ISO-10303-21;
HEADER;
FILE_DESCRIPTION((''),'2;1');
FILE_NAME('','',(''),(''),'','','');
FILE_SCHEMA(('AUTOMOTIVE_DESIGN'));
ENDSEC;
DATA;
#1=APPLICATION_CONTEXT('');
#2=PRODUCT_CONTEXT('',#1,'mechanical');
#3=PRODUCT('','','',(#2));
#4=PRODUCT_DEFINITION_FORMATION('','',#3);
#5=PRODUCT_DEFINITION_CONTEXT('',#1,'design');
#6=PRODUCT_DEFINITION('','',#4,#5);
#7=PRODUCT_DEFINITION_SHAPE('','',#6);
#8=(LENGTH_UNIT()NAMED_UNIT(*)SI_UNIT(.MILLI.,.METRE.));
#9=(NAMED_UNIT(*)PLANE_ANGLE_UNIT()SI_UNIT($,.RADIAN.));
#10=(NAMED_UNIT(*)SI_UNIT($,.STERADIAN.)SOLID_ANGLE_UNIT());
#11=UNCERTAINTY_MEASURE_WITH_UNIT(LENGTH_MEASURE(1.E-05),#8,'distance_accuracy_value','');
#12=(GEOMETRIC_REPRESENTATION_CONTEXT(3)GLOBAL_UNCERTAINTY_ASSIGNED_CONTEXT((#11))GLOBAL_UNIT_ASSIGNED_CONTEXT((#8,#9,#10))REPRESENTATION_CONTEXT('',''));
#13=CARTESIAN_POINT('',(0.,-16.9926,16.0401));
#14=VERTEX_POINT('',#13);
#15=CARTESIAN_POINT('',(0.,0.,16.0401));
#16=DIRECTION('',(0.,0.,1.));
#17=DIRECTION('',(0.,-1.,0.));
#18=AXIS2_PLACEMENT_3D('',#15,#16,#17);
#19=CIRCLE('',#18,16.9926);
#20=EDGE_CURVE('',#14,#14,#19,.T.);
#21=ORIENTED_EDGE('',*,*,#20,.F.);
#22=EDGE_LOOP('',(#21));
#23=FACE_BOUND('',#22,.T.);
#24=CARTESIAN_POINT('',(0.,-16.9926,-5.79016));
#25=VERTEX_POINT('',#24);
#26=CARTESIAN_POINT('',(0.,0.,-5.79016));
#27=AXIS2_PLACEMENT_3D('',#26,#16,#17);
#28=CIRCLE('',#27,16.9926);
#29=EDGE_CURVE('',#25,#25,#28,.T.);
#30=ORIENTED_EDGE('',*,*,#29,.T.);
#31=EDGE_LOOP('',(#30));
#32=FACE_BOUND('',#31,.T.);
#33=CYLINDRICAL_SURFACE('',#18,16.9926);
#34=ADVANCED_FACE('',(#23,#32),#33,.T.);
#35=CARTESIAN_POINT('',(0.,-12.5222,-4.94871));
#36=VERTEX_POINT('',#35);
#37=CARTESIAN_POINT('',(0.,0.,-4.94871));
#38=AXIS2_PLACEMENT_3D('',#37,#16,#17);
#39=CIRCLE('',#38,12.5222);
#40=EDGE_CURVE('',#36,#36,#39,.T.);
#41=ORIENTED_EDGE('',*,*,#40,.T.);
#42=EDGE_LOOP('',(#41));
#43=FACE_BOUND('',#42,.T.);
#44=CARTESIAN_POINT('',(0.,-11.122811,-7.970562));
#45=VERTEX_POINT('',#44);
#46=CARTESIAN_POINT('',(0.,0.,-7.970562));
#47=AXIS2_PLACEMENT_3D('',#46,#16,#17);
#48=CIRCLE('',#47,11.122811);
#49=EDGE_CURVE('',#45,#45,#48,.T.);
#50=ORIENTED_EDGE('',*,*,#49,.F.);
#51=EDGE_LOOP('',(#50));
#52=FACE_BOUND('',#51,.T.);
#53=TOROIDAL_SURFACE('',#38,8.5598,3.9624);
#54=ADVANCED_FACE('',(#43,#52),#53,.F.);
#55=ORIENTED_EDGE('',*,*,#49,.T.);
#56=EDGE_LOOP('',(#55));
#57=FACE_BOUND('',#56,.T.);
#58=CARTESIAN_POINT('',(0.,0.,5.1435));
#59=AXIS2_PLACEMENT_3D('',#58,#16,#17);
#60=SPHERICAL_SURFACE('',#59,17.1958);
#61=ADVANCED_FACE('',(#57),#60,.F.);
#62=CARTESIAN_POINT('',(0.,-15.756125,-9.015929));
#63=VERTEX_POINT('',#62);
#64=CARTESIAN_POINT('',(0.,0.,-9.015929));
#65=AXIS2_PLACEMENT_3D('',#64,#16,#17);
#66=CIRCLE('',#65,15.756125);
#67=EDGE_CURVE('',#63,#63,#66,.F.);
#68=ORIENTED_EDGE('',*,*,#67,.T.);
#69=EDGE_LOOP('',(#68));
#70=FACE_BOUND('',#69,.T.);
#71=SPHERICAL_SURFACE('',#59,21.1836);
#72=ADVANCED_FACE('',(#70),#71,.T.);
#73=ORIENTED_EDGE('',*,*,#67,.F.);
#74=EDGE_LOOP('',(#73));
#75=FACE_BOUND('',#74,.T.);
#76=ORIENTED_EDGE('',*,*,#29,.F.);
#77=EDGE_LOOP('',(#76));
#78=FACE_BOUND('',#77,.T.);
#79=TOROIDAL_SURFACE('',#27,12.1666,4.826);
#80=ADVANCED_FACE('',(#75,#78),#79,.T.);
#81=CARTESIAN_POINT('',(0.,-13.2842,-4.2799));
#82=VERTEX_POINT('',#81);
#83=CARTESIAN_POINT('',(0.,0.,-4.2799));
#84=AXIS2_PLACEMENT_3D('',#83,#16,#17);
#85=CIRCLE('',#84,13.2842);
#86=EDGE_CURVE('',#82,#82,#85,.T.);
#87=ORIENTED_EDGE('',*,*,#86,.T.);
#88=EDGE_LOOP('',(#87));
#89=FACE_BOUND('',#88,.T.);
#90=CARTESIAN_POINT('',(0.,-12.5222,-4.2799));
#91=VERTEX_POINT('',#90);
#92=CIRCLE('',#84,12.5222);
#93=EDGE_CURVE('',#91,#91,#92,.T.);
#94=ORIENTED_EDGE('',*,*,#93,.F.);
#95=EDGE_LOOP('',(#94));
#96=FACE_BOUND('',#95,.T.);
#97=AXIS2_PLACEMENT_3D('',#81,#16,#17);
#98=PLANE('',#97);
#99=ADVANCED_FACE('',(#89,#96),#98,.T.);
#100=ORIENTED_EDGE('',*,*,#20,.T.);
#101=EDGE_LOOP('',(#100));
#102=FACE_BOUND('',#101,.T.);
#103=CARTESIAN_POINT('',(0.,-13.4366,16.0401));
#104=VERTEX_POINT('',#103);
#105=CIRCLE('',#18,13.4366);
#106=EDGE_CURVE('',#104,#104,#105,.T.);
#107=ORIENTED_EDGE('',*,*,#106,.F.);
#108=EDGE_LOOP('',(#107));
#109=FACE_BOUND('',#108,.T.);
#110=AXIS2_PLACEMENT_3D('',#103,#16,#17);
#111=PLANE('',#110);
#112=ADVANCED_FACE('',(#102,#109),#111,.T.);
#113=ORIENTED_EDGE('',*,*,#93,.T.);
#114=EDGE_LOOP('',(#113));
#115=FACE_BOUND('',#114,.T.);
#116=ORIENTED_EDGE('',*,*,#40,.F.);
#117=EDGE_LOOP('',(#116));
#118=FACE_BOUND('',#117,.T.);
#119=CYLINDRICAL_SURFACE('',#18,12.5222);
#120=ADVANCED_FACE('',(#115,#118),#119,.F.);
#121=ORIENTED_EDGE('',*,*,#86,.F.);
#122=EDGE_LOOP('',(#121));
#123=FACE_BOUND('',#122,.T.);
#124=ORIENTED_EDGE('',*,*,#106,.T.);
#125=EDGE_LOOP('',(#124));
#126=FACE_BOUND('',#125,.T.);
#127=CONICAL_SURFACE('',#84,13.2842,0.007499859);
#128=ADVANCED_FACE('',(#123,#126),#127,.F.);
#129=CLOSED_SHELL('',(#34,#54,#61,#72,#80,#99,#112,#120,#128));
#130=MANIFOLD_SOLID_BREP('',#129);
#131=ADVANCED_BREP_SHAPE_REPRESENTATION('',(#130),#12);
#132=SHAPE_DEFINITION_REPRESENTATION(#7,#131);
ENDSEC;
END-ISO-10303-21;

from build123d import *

# Parameters (mm, degrees)
FILLET1_R = 4.826


with BuildPart() as part:
    # Sketch2 → Revolve1 (revolve)
    with BuildSketch(Plane(origin=(0, 0, 0), x_dir=(0, 0, -1), z_dir=(1, 0, 0))):
        with BuildLine():
            Line((-16.0401, -13.4366), (-16.0401, -16.9926))
            Line((-16.0401, -16.9926), (7.50547048, -16.9926))
            ThreePointArc((7.50547048, -16.9926), (13.786577126, -9.507738372), (16.0401, 0))
            Line((16.0401, 0), (12.0523, 0))
            ThreePointArc((12.0523, 0), (10.999645869, -5.924050901), (7.970561543, -11.122811132))
            ThreePointArc((7.970561543, -11.122811132), (6.613783182, -12.155372908), (4.948709843, -12.5222))
            Line((4.948709843, -12.5222), (4.2799, -12.5222))
            Line((4.2799, -12.5222), (4.2799, -13.2842))
            Line((4.2799, -13.2842), (-16.0401, -13.4366))
        make_face()
    revolve(axis=Axis((0, 0, 16.0401), (0, 0, -1)))

    # Fillet1
    fillet1_edges = [part.edges().sort_by_distance(p)[0] for p in [
        (0, 16.9926, -7.50547048),
    ]]
    fillet(fillet1_edges, radius=FILLET1_R)


solid = part.part
